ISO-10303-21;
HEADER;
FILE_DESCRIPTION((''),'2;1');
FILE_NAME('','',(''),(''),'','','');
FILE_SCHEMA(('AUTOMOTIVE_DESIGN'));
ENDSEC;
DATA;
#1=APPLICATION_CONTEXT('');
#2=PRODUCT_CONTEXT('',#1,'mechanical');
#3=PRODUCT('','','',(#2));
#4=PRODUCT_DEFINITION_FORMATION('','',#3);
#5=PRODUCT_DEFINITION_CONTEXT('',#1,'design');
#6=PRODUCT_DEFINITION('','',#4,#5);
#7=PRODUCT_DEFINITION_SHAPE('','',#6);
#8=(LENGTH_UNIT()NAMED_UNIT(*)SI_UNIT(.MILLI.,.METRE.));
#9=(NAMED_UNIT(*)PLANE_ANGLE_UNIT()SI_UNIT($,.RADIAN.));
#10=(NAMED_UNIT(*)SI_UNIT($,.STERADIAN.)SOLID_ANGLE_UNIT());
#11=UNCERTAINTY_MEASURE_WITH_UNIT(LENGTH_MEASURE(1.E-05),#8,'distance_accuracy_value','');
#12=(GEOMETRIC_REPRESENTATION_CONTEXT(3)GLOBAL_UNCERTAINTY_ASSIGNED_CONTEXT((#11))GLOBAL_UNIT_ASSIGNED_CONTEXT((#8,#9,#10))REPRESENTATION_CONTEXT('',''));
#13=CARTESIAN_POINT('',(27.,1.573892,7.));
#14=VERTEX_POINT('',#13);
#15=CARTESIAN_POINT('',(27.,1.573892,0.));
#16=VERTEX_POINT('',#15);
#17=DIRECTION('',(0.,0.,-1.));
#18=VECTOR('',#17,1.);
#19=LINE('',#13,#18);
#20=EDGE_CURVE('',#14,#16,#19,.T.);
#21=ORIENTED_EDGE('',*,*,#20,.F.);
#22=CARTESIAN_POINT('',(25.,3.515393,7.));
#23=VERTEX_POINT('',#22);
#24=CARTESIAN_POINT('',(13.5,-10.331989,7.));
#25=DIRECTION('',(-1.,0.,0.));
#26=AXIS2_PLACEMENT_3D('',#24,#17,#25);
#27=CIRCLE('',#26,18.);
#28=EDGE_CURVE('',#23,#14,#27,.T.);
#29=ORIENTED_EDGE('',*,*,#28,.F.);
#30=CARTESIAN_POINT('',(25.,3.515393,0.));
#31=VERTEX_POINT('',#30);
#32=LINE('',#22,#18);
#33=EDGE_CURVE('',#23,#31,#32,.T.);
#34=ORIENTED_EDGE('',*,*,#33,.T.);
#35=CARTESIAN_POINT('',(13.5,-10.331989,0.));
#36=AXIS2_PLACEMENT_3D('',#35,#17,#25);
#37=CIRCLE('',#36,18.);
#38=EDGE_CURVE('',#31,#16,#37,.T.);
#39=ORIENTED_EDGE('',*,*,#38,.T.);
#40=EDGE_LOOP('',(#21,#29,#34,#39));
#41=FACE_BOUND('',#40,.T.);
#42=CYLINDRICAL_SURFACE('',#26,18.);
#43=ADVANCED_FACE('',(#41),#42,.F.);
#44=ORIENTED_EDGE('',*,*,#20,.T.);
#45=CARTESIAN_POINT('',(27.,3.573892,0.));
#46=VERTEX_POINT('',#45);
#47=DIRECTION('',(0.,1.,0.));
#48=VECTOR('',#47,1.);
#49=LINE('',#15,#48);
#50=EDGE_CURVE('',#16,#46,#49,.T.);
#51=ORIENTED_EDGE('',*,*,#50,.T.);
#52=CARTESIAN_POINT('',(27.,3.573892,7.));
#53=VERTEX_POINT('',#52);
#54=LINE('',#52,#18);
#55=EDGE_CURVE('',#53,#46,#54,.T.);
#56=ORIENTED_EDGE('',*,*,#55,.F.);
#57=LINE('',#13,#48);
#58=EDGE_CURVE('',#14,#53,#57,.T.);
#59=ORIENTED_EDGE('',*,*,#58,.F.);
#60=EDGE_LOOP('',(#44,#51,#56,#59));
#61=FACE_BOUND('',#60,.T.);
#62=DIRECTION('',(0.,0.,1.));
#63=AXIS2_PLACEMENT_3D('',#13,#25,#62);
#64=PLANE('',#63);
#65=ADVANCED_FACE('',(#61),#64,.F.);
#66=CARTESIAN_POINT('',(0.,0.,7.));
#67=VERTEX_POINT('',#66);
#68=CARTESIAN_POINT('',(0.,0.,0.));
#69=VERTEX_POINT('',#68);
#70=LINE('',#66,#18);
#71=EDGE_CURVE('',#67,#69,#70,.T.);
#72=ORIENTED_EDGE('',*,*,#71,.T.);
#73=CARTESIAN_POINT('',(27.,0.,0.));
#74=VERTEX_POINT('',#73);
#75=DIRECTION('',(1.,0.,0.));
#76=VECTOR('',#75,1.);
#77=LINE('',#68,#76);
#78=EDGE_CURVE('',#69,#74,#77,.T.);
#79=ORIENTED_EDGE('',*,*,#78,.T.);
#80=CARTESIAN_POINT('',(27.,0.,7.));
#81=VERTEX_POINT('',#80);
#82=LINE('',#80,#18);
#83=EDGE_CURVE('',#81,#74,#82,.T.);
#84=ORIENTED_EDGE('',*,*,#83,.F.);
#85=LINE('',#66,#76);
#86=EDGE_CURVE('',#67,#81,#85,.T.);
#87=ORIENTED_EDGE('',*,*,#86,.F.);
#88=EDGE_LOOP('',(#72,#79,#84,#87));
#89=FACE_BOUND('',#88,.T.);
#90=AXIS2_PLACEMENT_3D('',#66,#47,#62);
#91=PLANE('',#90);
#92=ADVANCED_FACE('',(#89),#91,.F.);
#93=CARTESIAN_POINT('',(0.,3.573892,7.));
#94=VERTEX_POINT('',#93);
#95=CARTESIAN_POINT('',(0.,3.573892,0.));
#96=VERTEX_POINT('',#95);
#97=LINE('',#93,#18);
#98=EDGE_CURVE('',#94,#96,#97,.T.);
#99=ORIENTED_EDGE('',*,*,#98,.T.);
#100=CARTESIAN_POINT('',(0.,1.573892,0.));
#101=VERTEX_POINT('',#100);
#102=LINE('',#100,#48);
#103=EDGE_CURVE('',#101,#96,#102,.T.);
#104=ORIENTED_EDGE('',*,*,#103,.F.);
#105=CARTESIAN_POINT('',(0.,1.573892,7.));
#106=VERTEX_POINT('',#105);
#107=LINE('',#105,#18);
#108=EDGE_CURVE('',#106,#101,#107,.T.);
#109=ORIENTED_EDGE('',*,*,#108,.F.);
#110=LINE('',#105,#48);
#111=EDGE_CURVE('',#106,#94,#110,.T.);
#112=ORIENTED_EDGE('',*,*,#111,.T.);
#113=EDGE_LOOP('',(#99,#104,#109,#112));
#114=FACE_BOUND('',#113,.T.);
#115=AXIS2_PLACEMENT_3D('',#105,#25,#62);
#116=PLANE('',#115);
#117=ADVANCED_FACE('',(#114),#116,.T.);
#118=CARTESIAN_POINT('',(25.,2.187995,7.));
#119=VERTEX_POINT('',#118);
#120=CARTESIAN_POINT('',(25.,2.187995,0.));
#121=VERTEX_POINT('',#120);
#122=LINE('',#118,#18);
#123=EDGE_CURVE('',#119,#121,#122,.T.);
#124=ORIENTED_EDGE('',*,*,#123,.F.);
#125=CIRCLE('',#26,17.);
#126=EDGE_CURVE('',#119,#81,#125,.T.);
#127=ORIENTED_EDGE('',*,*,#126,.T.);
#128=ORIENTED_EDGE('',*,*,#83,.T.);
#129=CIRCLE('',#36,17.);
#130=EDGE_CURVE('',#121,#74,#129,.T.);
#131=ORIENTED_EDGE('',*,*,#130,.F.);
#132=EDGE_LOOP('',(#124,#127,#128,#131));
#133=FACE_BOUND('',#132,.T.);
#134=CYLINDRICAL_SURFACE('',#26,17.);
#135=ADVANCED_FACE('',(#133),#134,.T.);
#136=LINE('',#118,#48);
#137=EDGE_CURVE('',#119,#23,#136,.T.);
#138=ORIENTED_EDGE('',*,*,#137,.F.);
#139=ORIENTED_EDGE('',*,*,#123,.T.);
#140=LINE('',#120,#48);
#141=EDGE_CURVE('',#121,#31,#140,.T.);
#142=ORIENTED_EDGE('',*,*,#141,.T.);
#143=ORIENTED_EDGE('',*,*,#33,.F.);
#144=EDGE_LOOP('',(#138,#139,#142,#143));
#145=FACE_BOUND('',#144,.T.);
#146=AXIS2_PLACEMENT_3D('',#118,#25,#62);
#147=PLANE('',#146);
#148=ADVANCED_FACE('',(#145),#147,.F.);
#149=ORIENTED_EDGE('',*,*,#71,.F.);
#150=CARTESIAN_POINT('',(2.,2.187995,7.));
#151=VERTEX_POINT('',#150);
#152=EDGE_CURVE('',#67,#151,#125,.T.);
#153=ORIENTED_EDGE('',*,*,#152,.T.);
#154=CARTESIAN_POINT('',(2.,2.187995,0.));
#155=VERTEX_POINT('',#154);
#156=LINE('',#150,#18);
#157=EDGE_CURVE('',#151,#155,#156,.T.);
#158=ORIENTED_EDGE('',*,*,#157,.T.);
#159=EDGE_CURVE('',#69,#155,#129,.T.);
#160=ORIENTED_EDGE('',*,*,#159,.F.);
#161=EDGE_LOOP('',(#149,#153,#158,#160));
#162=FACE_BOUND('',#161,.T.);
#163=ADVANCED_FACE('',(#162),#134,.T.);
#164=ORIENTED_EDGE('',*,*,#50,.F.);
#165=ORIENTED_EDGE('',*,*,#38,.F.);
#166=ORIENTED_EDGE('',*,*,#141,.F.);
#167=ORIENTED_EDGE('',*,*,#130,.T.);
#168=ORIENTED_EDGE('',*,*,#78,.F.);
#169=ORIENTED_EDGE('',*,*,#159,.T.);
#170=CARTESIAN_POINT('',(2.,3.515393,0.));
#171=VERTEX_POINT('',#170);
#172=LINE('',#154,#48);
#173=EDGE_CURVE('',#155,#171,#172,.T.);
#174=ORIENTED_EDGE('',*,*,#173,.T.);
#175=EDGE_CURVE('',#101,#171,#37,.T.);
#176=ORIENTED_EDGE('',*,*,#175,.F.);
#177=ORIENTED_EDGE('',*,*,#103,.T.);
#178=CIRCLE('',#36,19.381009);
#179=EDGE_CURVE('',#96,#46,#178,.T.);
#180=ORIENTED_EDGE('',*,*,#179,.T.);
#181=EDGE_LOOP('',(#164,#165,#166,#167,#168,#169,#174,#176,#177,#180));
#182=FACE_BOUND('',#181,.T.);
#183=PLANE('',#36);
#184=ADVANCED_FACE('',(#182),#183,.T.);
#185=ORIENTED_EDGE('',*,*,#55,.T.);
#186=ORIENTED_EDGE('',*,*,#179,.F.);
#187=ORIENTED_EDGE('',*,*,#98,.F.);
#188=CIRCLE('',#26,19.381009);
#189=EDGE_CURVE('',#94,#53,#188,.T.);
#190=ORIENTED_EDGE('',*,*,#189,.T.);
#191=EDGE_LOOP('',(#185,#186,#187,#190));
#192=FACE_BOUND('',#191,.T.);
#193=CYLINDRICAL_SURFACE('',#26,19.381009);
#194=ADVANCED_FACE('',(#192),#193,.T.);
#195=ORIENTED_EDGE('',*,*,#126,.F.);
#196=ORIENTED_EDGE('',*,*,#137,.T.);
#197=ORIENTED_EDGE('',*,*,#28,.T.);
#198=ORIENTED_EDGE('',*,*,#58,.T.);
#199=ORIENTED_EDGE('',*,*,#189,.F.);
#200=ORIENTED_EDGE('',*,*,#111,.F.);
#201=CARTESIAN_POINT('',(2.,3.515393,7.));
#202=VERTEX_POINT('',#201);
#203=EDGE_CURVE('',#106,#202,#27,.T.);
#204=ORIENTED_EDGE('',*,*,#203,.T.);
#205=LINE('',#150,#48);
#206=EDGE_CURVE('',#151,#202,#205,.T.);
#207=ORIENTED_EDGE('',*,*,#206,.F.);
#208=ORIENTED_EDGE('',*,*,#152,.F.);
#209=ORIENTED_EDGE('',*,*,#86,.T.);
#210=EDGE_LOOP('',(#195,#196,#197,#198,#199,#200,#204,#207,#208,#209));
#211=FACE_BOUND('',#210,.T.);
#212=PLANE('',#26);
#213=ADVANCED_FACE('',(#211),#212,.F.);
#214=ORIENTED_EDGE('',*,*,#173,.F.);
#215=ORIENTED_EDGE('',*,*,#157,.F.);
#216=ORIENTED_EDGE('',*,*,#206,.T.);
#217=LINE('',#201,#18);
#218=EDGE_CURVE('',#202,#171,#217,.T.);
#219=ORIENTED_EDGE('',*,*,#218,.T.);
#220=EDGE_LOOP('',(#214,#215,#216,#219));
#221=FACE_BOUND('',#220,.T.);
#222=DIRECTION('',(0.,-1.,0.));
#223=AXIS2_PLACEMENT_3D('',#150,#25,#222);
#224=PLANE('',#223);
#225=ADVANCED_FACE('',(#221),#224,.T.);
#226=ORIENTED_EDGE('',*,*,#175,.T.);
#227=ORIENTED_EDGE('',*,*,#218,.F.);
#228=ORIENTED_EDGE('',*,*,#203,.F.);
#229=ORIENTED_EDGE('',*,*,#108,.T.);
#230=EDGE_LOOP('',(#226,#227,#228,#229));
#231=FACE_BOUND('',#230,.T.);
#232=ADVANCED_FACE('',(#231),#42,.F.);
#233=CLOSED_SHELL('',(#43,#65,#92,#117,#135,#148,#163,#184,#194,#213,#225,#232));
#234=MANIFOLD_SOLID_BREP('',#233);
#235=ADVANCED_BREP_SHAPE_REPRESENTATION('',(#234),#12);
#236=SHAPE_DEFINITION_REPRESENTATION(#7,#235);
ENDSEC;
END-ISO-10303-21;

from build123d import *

# Parameters (mm, degrees)
BOSS_EXTRUDE6_DEPTH = 7


with BuildPart() as part:
    # Sketch1 → Boss-Extrude6 (new body)
    with BuildSketch(Plane.XY):
        with BuildLine():
            Line((0, 0), (27, 0))
            ThreePointArc((27, 0), (26.047781891, 1.137673852), (25, 2.187994866))
            Line((25, 2.187994866), (25, 3.515393264))
            ThreePointArc((25, 3.515393264), (26.037637618, 2.583414162), (27, 1.57389174))
            Line((27, 1.57389174), (27, 3.57389174))
            ThreePointArc((27, 3.57389174), (13.5, 9.049020195), (0, 3.57389174))
            Line((0, 3.57389174), (0, 1.57389174))
            ThreePointArc((0, 1.57389174), (0.962362382, 2.583414162), (2, 3.515393264))
            Line((2, 3.515393264), (2, 2.187994866))
            ThreePointArc((2, 2.187994866), (0.952218109, 1.137673852), (0, 0))
        make_face()
    extrude(amount=BOSS_EXTRUDE6_DEPTH)


solid = part.part
